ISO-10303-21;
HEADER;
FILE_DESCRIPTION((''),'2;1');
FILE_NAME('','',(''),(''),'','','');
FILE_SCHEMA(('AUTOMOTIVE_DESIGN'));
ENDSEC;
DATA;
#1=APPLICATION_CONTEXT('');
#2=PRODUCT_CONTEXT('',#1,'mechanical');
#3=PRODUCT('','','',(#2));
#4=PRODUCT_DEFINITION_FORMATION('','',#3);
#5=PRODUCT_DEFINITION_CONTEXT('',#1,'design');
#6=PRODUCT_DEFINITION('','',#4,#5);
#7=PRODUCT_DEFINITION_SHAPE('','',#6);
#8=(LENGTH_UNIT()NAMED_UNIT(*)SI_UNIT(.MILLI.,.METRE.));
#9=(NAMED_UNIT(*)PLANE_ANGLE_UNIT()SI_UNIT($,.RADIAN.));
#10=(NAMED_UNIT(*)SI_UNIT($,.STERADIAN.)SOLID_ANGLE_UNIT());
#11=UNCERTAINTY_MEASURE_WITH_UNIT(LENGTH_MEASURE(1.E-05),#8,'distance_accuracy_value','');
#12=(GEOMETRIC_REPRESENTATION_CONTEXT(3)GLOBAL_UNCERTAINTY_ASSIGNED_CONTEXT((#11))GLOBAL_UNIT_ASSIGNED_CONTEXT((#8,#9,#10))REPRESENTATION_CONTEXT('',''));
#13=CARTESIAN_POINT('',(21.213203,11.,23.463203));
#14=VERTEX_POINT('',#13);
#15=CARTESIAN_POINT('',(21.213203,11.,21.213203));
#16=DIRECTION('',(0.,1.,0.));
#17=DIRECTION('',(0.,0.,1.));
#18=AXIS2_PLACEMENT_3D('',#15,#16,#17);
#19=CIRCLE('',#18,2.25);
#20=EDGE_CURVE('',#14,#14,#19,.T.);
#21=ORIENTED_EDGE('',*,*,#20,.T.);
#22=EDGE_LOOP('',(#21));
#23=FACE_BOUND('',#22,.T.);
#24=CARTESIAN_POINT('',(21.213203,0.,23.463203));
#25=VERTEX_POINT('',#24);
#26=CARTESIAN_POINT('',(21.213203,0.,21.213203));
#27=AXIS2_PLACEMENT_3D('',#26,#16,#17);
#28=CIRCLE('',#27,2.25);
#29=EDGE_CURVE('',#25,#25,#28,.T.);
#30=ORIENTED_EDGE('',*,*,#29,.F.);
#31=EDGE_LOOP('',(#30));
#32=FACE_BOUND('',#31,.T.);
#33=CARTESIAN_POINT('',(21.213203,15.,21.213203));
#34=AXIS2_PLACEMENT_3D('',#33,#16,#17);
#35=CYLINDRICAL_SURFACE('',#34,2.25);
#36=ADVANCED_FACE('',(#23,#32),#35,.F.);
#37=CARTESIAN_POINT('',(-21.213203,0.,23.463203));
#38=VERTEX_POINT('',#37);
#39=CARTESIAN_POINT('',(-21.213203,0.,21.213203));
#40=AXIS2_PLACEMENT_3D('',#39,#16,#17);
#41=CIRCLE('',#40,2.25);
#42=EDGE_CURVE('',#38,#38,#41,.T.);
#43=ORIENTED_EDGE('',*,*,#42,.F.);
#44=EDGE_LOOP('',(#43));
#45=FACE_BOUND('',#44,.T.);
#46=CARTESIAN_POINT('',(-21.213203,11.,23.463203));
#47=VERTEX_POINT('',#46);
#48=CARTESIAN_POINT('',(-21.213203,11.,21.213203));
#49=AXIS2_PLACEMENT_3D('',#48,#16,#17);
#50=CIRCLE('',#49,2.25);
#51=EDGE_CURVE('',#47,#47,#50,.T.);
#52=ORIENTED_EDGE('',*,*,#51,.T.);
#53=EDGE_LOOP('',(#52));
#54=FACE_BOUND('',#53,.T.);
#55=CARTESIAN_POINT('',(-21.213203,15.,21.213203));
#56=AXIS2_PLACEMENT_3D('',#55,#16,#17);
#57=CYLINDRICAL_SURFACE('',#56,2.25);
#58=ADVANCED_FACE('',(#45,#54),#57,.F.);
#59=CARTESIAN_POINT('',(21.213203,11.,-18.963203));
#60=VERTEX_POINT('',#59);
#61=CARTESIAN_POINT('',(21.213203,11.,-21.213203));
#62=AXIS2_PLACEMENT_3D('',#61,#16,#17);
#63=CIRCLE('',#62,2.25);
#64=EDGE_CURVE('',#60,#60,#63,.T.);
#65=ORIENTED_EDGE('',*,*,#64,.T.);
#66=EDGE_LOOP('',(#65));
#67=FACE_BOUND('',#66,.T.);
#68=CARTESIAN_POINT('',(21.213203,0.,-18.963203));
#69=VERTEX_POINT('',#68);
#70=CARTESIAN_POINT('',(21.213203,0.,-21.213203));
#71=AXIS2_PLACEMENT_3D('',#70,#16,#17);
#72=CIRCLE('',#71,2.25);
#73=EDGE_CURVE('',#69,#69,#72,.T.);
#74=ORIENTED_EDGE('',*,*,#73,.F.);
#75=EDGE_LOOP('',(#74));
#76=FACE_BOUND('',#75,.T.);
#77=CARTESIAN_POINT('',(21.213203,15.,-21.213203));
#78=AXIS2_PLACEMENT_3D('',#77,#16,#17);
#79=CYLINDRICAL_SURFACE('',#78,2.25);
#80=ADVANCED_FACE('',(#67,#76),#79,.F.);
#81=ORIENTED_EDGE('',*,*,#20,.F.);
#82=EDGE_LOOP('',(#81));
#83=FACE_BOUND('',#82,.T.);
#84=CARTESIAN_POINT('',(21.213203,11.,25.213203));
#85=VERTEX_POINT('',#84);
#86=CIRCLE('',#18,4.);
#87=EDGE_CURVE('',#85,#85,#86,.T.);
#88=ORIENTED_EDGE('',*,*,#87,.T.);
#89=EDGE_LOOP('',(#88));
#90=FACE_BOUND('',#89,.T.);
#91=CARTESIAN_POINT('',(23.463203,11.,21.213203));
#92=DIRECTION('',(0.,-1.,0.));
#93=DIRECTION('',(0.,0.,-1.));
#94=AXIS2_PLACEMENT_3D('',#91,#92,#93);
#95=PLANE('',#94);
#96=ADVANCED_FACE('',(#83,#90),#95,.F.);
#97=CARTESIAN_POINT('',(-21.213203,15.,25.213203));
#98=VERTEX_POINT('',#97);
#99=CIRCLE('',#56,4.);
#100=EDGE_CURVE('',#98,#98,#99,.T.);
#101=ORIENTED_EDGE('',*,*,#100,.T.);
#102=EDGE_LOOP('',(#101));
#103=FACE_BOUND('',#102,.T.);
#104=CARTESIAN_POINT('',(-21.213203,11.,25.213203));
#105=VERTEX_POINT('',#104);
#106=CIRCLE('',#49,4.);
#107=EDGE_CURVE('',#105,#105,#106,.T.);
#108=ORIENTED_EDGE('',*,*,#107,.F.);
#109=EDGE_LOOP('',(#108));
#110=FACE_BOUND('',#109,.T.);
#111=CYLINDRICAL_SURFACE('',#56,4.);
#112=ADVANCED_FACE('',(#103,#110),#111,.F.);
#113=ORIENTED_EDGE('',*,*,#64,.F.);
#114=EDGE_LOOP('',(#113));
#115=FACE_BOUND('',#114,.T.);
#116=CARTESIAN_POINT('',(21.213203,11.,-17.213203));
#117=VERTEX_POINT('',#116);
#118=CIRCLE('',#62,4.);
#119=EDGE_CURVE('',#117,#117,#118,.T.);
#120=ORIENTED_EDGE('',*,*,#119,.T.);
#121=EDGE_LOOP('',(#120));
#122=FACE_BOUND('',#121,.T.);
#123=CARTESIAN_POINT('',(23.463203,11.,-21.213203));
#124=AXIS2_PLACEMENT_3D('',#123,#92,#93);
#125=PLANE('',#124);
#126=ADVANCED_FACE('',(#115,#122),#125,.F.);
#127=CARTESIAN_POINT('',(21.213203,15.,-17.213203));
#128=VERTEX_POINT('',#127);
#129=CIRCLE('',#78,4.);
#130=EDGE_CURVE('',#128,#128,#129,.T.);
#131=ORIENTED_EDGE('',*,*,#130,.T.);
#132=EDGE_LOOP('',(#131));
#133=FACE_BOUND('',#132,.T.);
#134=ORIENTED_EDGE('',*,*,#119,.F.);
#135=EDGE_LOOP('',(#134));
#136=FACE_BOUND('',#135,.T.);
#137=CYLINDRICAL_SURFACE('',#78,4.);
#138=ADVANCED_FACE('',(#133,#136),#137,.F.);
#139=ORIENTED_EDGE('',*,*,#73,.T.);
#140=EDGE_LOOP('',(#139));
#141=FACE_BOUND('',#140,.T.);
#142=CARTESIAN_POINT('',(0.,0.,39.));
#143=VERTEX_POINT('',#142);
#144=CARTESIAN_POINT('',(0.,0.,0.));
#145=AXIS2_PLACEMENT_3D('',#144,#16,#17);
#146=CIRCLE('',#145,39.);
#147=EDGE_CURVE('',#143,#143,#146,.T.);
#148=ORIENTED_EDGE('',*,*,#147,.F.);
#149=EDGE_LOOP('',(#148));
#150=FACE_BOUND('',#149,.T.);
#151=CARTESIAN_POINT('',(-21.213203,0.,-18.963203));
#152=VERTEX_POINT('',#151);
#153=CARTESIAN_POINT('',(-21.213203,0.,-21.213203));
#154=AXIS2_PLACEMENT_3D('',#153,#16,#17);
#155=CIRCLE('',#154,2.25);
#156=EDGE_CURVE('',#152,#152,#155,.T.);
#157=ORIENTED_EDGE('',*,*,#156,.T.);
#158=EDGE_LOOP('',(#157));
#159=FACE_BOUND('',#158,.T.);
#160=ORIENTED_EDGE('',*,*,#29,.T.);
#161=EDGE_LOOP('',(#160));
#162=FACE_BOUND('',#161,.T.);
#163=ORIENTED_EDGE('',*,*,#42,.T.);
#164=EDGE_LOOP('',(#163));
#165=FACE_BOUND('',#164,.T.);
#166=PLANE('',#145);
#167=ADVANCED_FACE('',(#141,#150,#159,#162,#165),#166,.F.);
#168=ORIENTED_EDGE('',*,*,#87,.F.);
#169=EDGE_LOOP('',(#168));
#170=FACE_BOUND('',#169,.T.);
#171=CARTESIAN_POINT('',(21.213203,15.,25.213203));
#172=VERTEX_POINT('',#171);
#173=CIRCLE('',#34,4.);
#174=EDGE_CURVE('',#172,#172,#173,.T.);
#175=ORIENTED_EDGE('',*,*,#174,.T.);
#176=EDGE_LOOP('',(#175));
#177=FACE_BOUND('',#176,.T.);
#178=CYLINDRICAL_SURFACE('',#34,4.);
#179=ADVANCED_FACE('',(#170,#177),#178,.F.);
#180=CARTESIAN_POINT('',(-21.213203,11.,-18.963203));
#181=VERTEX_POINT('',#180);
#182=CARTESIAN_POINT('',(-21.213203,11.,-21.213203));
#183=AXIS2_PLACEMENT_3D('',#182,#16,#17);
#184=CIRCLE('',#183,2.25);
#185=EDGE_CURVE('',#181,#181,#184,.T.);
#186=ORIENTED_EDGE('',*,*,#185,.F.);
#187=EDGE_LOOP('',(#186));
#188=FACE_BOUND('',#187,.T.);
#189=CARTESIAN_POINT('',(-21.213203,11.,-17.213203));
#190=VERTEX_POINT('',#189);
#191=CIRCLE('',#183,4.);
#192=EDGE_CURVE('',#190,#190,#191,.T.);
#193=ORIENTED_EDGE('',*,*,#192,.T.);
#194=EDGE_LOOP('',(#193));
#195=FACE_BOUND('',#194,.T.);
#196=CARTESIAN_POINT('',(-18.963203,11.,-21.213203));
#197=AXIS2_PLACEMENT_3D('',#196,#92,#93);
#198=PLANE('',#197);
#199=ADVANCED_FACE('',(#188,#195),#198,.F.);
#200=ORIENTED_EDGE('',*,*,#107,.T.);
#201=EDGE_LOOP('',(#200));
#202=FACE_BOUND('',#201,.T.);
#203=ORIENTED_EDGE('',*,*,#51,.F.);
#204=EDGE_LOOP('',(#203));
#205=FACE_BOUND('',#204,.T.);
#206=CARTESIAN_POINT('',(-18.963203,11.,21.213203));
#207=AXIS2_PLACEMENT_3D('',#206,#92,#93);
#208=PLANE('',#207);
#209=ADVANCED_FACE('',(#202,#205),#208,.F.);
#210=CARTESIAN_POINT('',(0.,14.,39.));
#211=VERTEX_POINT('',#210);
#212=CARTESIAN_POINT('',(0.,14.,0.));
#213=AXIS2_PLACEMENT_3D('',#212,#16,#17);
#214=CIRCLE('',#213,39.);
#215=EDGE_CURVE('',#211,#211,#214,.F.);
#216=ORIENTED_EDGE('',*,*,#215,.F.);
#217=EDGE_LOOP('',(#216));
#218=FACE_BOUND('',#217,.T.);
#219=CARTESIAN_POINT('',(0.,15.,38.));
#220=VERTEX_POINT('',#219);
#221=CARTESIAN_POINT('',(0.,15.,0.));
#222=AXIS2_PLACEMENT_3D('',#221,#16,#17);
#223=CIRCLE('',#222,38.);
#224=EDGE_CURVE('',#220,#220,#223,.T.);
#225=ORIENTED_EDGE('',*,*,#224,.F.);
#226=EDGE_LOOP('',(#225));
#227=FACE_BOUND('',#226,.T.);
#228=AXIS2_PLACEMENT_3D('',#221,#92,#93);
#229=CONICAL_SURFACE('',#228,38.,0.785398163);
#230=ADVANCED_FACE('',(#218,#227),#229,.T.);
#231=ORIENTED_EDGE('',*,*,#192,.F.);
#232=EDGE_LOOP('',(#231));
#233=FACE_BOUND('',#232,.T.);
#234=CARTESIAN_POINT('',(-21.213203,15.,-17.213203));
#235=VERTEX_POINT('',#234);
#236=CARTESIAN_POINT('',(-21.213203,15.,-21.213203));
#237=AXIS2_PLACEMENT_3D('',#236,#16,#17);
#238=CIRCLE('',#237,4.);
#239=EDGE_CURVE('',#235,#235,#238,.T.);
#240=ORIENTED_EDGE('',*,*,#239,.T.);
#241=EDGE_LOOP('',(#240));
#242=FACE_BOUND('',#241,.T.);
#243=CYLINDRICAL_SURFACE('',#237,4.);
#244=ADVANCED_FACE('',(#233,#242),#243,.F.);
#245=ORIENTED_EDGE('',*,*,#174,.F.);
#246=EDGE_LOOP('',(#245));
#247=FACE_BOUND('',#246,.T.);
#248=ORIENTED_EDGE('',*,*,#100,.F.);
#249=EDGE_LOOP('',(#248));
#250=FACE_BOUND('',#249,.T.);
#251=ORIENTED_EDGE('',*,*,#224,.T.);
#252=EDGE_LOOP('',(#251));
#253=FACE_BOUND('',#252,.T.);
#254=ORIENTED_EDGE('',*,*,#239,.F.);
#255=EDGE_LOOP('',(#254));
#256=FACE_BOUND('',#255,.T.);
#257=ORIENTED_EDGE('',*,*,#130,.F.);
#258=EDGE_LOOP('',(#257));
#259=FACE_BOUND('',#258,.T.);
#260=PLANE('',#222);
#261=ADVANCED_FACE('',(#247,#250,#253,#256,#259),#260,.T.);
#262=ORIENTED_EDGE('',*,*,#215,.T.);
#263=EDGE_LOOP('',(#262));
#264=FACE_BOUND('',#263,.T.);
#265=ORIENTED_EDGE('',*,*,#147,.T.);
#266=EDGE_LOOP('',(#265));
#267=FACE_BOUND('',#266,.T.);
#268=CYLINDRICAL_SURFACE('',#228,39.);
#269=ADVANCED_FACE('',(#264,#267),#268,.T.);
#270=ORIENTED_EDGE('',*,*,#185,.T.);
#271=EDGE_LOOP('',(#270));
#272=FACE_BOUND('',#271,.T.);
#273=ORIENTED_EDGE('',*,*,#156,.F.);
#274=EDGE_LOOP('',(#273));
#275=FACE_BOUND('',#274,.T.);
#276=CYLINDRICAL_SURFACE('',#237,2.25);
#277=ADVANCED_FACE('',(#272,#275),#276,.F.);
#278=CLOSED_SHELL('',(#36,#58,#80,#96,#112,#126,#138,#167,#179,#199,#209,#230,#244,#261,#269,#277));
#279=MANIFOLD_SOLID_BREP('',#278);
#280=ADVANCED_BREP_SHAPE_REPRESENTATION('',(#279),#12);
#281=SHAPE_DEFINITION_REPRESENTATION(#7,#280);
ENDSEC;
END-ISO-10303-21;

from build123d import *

# Parameters (mm, degrees)
SKETCH1_R                                       = 39
BOSS_EXTRUDE1_DEPTH                             = 15
CBORE_FOR_M4_SOCKET_HEAD_CAP_SCREW1_D           = 4.5
CBORE_FOR_M4_SOCKET_HEAD_CAP_SCREW1_CBORE_D     = 8
CBORE_FOR_M4_SOCKET_HEAD_CAP_SCREW1_CBORE_DEPTH = 4
CHAMFER1_SIZE                                   = 1


with BuildPart() as part:
    # Sketch1 → Boss-Extrude1 (new body)
    with BuildSketch(Plane(origin=(0, 0, 0), x_dir=(1, 0, 0), z_dir=(0, 1, 0))):
        Circle(SKETCH1_R)
    extrude(amount=BOSS_EXTRUDE1_DEPTH)

    # CBORE for M4 Socket Head Cap Screw1 (through all)
    with Locations(Plane(origin=(0, 15, 0), x_dir=(-1, 0, 0), z_dir=(0, 1, 0))):
        with Locations((21.213203436, -21.213203436), (21.213203436, 21.213203436), (-21.213203436, 21.213203436), (-21.213203436, -21.213203436)):
            CounterBoreHole(CBORE_FOR_M4_SOCKET_HEAD_CAP_SCREW1_D / 2, CBORE_FOR_M4_SOCKET_HEAD_CAP_SCREW1_CBORE_D / 2, CBORE_FOR_M4_SOCKET_HEAD_CAP_SCREW1_CBORE_DEPTH)

    # Chamfer1
    chamfer1_edges = [part.edges().sort_by_distance(p)[0] for p in [
        (-39, 15, 0),
    ]]
    chamfer(chamfer1_edges, length=CHAMFER1_SIZE)


solid = part.part
